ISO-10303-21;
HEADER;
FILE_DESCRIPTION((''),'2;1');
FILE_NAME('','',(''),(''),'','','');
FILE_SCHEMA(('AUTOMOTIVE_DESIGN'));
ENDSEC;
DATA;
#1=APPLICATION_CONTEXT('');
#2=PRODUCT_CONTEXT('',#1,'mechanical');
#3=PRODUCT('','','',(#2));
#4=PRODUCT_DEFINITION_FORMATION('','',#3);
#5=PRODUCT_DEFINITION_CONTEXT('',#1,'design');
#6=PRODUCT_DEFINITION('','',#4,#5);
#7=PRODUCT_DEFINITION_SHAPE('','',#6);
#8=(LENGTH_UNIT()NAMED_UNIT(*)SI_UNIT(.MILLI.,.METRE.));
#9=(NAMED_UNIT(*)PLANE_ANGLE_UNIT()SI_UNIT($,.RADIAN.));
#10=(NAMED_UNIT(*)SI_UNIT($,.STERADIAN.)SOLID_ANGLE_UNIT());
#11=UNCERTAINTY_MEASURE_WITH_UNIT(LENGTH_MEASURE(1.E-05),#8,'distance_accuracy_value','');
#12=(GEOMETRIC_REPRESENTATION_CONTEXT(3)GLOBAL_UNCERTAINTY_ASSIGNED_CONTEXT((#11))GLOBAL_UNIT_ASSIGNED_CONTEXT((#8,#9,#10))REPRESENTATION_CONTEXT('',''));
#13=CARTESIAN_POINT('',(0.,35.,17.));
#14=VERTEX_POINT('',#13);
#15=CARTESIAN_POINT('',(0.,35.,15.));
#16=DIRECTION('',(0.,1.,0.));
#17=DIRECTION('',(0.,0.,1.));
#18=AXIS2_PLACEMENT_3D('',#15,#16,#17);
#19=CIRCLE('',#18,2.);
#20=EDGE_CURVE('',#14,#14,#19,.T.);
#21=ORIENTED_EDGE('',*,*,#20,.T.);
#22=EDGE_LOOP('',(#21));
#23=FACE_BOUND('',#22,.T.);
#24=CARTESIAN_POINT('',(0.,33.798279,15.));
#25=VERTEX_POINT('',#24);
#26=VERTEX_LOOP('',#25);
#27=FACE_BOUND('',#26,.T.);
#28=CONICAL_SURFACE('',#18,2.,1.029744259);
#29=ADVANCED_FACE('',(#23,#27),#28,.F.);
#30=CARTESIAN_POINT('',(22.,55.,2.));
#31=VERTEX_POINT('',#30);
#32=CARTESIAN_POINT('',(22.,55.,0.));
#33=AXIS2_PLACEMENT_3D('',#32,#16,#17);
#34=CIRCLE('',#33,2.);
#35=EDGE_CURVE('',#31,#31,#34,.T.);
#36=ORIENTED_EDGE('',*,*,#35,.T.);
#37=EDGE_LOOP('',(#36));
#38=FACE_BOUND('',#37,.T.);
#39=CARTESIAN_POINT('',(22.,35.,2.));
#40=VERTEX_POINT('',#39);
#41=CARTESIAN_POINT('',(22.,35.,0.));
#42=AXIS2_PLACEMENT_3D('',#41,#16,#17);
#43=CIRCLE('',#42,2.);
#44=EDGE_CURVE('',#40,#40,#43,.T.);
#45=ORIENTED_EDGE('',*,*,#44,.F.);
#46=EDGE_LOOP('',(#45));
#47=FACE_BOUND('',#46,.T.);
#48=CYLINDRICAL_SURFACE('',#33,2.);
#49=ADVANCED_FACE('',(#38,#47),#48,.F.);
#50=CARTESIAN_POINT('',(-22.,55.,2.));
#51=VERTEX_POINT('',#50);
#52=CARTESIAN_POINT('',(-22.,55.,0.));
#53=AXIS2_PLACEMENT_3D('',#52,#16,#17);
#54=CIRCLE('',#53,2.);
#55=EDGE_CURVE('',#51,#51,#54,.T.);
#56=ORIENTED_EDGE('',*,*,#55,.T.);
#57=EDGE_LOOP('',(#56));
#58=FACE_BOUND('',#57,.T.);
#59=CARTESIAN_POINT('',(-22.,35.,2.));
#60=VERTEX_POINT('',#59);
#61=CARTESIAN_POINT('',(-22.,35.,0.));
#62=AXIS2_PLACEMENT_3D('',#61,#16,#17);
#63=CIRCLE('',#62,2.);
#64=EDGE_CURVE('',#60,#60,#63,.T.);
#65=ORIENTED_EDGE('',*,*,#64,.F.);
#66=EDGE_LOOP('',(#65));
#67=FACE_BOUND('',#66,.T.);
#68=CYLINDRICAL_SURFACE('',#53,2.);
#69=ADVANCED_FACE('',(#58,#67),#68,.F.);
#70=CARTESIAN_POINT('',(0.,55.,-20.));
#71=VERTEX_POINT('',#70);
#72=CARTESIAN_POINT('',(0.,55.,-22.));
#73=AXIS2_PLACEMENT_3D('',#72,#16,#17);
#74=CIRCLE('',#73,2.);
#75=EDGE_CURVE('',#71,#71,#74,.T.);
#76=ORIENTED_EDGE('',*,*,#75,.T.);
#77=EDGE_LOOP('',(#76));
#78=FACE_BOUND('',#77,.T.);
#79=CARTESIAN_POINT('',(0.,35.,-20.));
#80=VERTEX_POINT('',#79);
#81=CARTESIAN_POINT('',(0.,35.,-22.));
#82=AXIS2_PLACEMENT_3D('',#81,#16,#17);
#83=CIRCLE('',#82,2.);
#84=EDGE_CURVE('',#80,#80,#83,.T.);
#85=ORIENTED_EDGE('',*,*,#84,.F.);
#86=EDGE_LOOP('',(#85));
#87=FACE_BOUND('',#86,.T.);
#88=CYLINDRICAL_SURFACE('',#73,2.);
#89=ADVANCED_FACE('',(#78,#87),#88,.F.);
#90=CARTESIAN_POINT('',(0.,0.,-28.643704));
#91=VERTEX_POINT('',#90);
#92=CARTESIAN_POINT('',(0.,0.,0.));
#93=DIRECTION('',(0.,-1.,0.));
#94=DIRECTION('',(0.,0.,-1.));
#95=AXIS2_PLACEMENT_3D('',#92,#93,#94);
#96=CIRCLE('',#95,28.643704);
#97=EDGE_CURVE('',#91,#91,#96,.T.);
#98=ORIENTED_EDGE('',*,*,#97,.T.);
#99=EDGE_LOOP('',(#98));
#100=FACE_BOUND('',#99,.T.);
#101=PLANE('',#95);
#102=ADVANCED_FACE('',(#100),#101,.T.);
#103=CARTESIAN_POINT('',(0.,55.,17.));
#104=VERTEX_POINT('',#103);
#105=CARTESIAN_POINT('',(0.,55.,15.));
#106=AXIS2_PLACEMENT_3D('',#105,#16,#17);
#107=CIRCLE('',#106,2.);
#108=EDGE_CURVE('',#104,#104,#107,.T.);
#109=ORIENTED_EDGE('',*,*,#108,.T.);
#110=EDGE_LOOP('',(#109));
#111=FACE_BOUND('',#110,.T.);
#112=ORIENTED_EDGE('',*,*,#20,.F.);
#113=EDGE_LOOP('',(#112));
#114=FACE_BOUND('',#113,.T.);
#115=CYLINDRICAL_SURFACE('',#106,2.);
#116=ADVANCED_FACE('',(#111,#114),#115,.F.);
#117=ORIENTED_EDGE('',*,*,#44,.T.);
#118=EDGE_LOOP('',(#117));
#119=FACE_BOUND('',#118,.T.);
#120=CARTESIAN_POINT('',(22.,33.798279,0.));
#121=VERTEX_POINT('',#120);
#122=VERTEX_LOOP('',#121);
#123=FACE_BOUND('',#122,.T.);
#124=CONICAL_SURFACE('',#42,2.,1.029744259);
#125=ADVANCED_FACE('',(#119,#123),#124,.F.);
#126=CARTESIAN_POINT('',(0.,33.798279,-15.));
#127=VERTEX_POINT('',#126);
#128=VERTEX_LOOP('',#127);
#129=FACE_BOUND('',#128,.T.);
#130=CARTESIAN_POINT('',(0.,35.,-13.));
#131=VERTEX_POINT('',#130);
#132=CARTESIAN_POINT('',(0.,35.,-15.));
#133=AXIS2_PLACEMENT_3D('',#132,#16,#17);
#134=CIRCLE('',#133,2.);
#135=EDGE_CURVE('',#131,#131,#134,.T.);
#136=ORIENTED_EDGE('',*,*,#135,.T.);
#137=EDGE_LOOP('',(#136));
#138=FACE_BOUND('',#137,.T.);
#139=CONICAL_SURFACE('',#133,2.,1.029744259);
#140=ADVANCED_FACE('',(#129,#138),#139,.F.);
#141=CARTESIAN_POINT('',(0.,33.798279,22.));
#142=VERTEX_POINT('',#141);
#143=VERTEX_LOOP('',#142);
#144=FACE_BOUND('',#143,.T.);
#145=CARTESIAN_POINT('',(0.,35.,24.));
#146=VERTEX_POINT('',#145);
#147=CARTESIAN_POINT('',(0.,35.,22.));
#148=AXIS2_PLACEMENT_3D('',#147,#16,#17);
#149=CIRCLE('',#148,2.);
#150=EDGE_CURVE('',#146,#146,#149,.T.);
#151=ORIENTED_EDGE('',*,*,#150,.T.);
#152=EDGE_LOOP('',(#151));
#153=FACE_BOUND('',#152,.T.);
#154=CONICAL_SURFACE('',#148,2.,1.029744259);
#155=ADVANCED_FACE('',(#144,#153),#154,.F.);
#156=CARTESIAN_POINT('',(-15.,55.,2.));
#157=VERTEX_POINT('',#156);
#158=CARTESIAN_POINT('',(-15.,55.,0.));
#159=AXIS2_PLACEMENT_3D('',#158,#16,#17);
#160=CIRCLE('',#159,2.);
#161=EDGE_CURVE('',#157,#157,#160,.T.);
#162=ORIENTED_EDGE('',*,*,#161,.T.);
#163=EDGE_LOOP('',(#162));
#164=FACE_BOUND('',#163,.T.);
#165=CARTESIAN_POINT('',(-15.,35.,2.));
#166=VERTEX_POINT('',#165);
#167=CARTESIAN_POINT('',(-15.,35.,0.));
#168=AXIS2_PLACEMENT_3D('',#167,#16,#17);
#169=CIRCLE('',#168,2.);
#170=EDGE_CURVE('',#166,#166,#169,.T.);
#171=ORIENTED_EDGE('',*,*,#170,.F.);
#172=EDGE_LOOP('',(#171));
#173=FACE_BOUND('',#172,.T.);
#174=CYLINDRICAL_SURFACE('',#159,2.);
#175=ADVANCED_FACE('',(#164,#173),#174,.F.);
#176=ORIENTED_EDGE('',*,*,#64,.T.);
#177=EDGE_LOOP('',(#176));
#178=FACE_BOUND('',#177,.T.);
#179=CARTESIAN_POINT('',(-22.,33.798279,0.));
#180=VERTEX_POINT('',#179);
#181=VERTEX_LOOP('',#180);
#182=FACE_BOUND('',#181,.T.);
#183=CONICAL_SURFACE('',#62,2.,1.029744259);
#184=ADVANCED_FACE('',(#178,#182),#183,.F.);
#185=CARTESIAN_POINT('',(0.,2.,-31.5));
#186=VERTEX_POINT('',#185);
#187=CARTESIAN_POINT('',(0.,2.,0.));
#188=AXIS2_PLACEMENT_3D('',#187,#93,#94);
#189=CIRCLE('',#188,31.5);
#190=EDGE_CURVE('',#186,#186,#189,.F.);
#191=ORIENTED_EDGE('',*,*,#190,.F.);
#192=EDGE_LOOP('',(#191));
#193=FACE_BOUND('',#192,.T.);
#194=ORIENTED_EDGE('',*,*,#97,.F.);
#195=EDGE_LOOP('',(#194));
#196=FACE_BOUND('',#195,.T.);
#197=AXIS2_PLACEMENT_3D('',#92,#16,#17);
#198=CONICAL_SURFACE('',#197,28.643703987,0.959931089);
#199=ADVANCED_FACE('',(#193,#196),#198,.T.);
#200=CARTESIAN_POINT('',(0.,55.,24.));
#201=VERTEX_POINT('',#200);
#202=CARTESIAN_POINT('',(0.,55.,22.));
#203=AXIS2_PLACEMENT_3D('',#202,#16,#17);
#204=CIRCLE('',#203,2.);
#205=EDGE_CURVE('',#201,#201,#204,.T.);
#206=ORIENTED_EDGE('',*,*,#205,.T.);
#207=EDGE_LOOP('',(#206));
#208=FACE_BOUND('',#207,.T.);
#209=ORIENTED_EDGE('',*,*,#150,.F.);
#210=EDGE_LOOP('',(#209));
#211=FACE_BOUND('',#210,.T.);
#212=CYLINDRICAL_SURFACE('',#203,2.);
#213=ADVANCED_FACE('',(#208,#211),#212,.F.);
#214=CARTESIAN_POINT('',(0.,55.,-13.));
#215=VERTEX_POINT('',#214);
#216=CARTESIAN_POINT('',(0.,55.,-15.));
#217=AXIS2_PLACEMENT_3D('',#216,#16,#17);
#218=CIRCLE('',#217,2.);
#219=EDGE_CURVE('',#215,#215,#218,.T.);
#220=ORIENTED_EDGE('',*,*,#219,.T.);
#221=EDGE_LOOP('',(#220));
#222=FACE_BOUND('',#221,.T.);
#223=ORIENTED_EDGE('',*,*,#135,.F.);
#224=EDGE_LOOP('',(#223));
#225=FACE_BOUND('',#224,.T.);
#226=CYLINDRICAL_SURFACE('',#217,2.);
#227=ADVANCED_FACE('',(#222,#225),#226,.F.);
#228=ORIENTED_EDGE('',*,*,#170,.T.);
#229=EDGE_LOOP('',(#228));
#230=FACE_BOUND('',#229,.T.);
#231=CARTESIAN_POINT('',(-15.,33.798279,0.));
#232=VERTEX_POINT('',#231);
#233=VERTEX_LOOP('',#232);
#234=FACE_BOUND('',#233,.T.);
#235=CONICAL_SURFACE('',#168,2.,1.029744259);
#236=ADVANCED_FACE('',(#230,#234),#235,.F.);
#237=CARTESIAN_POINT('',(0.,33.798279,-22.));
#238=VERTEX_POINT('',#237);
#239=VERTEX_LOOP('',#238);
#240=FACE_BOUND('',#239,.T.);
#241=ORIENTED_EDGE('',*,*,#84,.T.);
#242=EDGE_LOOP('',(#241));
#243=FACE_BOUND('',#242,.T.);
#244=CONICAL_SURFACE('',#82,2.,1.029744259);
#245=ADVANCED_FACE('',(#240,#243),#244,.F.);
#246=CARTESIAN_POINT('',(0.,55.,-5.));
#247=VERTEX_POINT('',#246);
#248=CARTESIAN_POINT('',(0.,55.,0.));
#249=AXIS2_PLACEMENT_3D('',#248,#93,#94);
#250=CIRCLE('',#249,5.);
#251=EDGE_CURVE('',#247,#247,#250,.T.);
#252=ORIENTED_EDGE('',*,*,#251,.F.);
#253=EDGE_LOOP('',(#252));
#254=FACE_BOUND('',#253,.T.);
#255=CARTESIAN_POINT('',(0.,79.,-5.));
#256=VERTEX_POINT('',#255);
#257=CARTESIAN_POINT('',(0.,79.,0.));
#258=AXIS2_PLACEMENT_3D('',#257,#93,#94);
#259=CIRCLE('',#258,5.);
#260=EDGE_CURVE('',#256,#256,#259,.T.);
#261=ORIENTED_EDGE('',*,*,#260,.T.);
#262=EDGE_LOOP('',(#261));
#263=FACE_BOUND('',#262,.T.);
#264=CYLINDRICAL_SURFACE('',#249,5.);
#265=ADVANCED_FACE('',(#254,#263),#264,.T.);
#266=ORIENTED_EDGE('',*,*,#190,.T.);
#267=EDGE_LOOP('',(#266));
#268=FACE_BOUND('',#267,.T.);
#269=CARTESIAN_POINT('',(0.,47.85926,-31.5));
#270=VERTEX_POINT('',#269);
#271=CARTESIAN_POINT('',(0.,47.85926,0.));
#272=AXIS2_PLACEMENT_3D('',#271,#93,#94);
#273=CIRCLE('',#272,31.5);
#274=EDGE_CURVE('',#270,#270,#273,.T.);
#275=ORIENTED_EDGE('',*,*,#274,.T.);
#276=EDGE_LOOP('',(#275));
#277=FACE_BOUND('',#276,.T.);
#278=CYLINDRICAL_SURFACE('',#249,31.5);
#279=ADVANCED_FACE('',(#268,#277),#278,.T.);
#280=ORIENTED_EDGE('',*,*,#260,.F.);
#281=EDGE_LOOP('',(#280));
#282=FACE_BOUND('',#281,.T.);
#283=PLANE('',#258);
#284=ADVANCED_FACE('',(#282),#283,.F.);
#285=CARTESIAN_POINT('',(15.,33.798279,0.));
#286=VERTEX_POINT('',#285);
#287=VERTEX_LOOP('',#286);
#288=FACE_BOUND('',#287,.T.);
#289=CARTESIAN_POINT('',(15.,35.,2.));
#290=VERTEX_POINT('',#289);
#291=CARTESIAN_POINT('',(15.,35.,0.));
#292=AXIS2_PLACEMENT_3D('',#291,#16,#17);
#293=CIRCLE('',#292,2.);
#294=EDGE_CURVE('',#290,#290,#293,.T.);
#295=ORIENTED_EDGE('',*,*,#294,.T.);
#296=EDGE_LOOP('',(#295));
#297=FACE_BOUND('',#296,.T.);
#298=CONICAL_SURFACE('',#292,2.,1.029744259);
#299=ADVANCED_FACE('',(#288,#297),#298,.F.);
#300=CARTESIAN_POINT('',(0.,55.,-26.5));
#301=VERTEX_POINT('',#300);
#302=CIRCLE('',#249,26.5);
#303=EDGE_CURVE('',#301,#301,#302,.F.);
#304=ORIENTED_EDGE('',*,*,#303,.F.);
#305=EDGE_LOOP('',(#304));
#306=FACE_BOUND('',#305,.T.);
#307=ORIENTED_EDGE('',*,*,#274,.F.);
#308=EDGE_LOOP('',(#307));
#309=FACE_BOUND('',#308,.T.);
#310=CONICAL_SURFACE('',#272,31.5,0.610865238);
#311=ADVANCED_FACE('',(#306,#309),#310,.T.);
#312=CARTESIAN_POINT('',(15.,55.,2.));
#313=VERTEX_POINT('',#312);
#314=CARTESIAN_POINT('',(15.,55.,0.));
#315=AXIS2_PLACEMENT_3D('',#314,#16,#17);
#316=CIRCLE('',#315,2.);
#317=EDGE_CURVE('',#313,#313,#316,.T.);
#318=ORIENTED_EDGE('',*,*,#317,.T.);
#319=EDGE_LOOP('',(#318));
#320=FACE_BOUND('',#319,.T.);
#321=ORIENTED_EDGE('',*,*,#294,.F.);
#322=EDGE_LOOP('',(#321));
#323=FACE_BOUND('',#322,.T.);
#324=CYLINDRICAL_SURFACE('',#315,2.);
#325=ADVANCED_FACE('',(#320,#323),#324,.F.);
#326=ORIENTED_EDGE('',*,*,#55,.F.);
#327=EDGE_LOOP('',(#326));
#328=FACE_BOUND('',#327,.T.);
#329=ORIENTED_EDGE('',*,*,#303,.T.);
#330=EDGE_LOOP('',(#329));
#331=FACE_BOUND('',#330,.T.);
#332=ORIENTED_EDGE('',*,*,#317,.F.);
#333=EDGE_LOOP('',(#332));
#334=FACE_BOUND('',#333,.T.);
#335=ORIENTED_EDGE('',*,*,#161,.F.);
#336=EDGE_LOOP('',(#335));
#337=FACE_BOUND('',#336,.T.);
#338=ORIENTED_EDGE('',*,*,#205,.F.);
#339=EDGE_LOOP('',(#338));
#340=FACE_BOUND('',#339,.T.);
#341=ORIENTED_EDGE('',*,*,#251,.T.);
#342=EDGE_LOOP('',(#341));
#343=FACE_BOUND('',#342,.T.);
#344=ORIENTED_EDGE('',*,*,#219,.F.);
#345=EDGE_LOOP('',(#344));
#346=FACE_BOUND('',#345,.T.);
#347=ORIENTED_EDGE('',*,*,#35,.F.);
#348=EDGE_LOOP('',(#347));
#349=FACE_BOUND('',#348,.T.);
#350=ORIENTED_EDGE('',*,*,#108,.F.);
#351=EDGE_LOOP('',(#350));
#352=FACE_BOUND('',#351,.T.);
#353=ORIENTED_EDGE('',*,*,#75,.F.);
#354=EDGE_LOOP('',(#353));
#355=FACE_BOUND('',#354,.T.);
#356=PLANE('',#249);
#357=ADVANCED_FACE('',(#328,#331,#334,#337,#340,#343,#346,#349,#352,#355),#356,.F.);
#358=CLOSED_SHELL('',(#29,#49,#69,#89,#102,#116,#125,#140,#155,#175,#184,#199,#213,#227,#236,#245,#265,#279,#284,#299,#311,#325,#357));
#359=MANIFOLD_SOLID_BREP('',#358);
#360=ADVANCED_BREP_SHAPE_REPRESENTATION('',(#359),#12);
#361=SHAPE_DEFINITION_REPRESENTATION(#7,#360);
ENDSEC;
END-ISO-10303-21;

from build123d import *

# Parameters (mm, degrees)
SKETCH1_W                 = 31.5
SKETCH1_H                 = 55
SKETCH1_W_2               = 5
SKETCH1_H_2               = 24
CHAMFER1_SIZE             = 5
CHAMFER1_SIZE2            = 7.140740034
CHAMFER2_SIZE             = 2
CHAMFER2_SIZE2            = 2.856296013
F_4_0MM_DOWEL_HOLE1_D     = 4
F_4_0MM_DOWEL_HOLE1_DEPTH = 20
F_4_0MM_DOWEL_HOLE1_TIP   = 1.201721238


with BuildPart() as part:
    # Sketch1 → Revolve1 (revolve)
    with BuildSketch(Plane.XY):
        with Locations((15.75, 27.5)):
            Rectangle(SKETCH1_W, SKETCH1_H)
        with Locations((2.5, 67)):
            Rectangle(SKETCH1_W_2, SKETCH1_H_2)
    revolve(axis=Axis((0, 55, 0), (0, 1, 0)))

    # Chamfer1
    chamfer1_edges = [part.edges().sort_by_distance(p)[0] for p in [
        (-31.5, 55, 0),
    ]]
    chamfer1_side = [part.faces().sort_by_distance(p)[0] for p in [
        (-30.609045456, 55, 0),
    ]]
    chamfer(chamfer1_edges, length=CHAMFER1_SIZE, length2=CHAMFER1_SIZE2, reference=chamfer1_side[0])

    # Chamfer2
    chamfer2_edges = [part.edges().sort_by_distance(p)[0] for p in [
        (-31.5, 0, 0),
    ]]
    chamfer2_side = [part.faces().sort_by_distance(p)[0] for p in [
        (-31.5, 23.929629983, 0),
    ]]
    chamfer(chamfer2_edges, length=CHAMFER2_SIZE, length2=CHAMFER2_SIZE2, reference=chamfer2_side[0])

    # Ø4.0mm Dowel Hole1
    with Locations(Plane(origin=(0, 55, 0), x_dir=(1, 0, 0), z_dir=(0, 1, 0))):
        with Locations((15, 0), (0, 22), (22, 0), (0, -22), (-22, 0), (0, 15), (-15, 0), (0, -15)):
            Hole(F_4_0MM_DOWEL_HOLE1_D / 2, depth=F_4_0MM_DOWEL_HOLE1_DEPTH)
            with Locations((0, 0, -(F_4_0MM_DOWEL_HOLE1_DEPTH + F_4_0MM_DOWEL_HOLE1_TIP / 2))):  # 118° drill point
                Cone(0, F_4_0MM_DOWEL_HOLE1_D / 2, F_4_0MM_DOWEL_HOLE1_TIP, mode=Mode.SUBTRACT)


solid = part.part
